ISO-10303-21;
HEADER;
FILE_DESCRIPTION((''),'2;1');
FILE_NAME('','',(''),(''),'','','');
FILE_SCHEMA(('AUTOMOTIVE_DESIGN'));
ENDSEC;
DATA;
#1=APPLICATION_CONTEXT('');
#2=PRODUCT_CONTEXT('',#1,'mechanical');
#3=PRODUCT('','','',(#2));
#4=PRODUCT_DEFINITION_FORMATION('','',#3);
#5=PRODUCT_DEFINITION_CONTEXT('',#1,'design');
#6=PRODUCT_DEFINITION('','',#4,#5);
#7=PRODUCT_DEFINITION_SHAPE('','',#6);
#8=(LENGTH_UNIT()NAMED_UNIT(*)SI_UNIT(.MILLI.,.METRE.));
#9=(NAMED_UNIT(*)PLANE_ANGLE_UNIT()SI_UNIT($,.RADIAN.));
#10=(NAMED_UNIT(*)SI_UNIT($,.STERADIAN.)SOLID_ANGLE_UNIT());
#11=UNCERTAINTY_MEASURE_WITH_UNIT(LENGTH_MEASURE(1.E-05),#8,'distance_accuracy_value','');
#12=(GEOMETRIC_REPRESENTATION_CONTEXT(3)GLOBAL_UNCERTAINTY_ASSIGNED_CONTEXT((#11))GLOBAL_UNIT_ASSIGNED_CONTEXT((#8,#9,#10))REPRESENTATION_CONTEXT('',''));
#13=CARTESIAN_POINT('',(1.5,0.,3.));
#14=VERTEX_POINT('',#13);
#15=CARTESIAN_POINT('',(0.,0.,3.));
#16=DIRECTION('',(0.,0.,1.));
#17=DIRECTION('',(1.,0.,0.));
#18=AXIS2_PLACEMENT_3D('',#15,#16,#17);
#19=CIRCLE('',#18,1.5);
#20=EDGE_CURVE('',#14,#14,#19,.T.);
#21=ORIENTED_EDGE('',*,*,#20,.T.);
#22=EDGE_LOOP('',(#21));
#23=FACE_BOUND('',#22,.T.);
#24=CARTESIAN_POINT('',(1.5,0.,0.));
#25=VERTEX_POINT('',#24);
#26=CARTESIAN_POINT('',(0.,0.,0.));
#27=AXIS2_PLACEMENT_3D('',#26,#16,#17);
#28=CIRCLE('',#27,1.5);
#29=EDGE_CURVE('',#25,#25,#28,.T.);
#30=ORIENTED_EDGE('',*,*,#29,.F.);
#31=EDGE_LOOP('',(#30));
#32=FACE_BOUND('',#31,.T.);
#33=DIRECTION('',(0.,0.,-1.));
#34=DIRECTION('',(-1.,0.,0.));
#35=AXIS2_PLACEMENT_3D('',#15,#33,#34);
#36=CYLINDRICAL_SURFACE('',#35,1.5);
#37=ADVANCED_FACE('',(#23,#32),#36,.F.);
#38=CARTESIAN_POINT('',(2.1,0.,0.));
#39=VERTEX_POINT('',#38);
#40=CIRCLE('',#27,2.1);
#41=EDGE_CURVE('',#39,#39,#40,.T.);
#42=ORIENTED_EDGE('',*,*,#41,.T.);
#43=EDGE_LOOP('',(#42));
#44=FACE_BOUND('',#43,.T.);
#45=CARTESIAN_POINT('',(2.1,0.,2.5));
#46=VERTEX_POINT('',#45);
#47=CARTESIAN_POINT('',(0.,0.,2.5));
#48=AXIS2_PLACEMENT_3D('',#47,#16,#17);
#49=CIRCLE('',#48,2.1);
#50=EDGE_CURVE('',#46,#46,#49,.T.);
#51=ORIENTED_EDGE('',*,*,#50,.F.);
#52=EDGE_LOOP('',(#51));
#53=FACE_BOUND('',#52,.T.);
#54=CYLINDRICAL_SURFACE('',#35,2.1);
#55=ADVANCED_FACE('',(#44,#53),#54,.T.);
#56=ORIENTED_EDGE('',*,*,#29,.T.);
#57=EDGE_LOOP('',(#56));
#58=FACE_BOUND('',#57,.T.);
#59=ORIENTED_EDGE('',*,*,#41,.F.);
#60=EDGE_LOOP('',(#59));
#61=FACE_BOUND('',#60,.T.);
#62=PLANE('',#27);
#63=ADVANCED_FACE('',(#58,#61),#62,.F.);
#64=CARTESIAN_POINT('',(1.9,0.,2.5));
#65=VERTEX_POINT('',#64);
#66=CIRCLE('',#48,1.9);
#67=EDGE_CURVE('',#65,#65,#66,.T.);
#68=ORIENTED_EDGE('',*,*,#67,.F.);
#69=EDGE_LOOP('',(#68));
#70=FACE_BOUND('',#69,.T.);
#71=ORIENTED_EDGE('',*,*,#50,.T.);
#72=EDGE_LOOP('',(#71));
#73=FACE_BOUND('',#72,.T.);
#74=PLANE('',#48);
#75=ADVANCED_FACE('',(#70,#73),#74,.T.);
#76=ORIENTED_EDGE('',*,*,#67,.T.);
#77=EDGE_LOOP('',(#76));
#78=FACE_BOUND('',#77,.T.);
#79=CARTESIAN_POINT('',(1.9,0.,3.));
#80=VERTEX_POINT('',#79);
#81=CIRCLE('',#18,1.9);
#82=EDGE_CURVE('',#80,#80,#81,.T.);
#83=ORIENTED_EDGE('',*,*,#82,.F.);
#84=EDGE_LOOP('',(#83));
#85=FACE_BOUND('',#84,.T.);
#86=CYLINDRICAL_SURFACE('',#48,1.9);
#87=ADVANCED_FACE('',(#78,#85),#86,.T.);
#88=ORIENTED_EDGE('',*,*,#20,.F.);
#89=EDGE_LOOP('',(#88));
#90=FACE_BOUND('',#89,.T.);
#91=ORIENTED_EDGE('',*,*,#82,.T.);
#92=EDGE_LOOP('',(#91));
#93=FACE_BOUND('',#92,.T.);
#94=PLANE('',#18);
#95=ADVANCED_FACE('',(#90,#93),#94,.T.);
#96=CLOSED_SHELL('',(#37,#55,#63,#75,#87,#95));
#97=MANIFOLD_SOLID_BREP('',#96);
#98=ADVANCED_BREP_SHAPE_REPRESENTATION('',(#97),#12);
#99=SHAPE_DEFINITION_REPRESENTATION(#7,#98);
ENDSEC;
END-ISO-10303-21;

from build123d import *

# Parameters (mm, degrees)
SKETCH_1_R          = 2.1
SKETCH_1_R_2        = 1.5
EXTRUDE_1_DEPTH     = 3
CUT_EXTRUDE_START   = -0.5
SKETCH_2_R          = 2.1
SKETCH_2_R_2        = 1.9
CUT_EXTRUDE_1_DEPTH = 0.5


with BuildPart() as part:
    # 草图1 → 凸台-拉伸1 (new body)
    with BuildSketch(Plane.XY):
        Circle(SKETCH_1_R)
        Circle(SKETCH_1_R_2, mode=Mode.SUBTRACT)
    extrude(amount=EXTRUDE_1_DEPTH)

    # 草图2 → 切除-拉伸1 (cut)
    with BuildSketch(Plane.XY.offset(3).offset(CUT_EXTRUDE_START)):
        Circle(SKETCH_2_R)
        Circle(SKETCH_2_R_2, mode=Mode.SUBTRACT)
    extrude(amount=CUT_EXTRUDE_1_DEPTH, mode=Mode.SUBTRACT)


solid = part.part
